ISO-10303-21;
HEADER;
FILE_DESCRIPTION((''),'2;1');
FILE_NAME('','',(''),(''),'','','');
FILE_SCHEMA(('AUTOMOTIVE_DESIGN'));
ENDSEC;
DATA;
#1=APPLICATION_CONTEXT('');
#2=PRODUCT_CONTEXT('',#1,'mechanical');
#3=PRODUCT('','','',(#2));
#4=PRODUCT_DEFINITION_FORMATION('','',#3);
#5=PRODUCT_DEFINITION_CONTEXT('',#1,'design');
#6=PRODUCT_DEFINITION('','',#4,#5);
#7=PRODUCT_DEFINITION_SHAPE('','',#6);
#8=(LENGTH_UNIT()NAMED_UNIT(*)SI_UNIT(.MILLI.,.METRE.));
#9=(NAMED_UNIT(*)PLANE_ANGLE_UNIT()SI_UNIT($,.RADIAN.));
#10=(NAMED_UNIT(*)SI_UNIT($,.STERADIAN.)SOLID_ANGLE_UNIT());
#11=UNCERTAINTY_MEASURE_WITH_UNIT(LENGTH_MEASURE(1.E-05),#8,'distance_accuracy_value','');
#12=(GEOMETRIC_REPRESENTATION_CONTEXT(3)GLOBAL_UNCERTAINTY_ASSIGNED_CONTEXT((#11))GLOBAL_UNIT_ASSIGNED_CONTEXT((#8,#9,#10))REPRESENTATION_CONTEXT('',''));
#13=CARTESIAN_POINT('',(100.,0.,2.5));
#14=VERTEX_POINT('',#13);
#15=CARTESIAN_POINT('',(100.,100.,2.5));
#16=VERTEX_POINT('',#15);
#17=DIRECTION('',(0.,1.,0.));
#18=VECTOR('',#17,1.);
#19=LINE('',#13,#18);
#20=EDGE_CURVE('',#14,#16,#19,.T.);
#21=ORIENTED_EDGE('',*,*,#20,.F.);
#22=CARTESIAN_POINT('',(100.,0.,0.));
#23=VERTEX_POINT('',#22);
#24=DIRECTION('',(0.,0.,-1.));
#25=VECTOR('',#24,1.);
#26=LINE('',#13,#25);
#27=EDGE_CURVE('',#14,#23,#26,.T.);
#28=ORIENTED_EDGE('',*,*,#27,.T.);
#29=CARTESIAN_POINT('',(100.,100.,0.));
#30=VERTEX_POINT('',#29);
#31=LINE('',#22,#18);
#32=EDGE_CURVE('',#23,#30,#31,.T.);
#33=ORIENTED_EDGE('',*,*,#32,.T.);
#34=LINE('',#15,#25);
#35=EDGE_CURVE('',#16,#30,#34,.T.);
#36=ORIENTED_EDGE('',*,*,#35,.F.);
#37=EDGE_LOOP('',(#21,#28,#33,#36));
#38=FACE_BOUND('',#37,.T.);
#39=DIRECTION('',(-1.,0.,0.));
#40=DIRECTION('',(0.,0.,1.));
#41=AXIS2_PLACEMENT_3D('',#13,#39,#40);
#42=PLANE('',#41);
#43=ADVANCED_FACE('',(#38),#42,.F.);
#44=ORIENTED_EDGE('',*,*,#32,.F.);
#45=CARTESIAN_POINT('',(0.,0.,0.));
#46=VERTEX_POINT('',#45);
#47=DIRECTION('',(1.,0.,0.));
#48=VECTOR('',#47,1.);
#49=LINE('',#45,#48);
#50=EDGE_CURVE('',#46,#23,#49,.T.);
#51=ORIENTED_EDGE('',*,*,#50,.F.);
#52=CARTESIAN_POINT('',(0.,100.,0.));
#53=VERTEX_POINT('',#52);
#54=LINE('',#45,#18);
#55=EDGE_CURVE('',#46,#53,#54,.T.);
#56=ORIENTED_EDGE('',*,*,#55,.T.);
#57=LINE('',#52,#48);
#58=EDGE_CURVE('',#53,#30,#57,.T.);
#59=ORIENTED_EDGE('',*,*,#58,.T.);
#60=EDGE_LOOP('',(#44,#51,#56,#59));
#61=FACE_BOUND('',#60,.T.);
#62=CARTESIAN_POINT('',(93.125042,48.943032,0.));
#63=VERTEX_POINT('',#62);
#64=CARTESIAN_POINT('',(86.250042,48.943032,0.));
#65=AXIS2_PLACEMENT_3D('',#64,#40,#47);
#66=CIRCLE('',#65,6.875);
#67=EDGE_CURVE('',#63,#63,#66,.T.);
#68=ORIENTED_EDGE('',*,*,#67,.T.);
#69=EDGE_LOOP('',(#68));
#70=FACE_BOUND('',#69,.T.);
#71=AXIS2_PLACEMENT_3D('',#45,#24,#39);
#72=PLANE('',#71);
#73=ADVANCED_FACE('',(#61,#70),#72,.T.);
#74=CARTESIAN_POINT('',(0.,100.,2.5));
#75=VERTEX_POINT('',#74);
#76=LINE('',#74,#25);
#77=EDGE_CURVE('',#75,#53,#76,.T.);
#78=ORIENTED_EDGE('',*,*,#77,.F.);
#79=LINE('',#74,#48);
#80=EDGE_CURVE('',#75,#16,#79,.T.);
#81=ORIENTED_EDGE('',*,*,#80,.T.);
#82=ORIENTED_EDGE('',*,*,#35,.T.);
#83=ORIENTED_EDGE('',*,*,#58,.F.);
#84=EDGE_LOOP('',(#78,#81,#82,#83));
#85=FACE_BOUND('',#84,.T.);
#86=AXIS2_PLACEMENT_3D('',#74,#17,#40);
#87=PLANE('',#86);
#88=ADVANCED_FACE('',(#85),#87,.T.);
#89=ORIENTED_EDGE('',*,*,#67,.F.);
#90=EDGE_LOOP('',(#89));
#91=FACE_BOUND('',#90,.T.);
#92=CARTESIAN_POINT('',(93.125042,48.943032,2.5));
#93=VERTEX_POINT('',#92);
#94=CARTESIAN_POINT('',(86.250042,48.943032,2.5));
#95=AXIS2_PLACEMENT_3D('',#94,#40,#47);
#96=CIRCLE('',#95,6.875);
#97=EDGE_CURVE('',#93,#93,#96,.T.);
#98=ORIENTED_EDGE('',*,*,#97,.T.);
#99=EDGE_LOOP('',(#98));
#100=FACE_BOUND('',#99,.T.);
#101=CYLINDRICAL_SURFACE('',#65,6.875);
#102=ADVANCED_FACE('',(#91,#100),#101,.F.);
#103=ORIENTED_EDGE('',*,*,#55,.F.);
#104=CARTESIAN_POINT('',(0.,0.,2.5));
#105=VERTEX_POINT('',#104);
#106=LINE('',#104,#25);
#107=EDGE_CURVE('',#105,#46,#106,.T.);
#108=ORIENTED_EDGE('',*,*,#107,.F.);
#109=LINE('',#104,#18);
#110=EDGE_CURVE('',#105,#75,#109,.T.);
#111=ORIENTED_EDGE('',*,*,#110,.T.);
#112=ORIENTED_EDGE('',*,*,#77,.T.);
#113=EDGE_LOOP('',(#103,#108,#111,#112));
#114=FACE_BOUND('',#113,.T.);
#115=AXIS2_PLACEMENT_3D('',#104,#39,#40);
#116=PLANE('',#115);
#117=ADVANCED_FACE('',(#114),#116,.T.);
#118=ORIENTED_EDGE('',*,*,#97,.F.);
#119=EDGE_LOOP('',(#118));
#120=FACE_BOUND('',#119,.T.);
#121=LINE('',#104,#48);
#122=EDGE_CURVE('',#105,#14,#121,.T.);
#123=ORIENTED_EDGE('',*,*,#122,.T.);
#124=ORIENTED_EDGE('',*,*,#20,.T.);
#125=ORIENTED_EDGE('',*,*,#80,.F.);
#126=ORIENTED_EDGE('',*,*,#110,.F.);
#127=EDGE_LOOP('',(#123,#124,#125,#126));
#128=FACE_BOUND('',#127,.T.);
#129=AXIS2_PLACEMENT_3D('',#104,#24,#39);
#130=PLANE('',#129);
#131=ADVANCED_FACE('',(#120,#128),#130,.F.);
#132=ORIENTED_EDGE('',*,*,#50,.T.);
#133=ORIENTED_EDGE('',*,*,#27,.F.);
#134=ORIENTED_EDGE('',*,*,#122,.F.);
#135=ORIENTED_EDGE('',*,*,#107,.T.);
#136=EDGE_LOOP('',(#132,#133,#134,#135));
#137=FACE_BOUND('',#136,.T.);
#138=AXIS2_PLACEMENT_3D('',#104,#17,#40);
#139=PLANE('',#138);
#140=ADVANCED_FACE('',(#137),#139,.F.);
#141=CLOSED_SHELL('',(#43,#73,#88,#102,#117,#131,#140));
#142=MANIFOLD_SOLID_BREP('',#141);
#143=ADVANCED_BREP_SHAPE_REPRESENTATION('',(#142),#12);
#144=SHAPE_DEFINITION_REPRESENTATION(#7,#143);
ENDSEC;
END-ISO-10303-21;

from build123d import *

# Parameters (mm, degrees)
SKETCH1_W           = 100
SKETCH1_H           = 100
BOSS_EXTRUDE1_DEPTH = 2.5
SKETCH4_R           = 6.875
CUT_EXTRUDE1_DEPTH  = 142.443451598


with BuildPart() as part:
    # Sketch1 → Boss-Extrude1 (new body)
    with BuildSketch(Plane.XY):
        with Locations((50, 50)):
            Rectangle(SKETCH1_W, SKETCH1_H)
    extrude(amount=BOSS_EXTRUDE1_DEPTH)

    # Sketch4 → Cut-Extrude1 (cut, through all)
    with BuildSketch(Plane.XY.offset(2.5)):
        with Locations((86.250042234, 48.943031999)):
            Circle(SKETCH4_R)
    extrude(amount=-CUT_EXTRUDE1_DEPTH, mode=Mode.SUBTRACT)


solid = part.part
